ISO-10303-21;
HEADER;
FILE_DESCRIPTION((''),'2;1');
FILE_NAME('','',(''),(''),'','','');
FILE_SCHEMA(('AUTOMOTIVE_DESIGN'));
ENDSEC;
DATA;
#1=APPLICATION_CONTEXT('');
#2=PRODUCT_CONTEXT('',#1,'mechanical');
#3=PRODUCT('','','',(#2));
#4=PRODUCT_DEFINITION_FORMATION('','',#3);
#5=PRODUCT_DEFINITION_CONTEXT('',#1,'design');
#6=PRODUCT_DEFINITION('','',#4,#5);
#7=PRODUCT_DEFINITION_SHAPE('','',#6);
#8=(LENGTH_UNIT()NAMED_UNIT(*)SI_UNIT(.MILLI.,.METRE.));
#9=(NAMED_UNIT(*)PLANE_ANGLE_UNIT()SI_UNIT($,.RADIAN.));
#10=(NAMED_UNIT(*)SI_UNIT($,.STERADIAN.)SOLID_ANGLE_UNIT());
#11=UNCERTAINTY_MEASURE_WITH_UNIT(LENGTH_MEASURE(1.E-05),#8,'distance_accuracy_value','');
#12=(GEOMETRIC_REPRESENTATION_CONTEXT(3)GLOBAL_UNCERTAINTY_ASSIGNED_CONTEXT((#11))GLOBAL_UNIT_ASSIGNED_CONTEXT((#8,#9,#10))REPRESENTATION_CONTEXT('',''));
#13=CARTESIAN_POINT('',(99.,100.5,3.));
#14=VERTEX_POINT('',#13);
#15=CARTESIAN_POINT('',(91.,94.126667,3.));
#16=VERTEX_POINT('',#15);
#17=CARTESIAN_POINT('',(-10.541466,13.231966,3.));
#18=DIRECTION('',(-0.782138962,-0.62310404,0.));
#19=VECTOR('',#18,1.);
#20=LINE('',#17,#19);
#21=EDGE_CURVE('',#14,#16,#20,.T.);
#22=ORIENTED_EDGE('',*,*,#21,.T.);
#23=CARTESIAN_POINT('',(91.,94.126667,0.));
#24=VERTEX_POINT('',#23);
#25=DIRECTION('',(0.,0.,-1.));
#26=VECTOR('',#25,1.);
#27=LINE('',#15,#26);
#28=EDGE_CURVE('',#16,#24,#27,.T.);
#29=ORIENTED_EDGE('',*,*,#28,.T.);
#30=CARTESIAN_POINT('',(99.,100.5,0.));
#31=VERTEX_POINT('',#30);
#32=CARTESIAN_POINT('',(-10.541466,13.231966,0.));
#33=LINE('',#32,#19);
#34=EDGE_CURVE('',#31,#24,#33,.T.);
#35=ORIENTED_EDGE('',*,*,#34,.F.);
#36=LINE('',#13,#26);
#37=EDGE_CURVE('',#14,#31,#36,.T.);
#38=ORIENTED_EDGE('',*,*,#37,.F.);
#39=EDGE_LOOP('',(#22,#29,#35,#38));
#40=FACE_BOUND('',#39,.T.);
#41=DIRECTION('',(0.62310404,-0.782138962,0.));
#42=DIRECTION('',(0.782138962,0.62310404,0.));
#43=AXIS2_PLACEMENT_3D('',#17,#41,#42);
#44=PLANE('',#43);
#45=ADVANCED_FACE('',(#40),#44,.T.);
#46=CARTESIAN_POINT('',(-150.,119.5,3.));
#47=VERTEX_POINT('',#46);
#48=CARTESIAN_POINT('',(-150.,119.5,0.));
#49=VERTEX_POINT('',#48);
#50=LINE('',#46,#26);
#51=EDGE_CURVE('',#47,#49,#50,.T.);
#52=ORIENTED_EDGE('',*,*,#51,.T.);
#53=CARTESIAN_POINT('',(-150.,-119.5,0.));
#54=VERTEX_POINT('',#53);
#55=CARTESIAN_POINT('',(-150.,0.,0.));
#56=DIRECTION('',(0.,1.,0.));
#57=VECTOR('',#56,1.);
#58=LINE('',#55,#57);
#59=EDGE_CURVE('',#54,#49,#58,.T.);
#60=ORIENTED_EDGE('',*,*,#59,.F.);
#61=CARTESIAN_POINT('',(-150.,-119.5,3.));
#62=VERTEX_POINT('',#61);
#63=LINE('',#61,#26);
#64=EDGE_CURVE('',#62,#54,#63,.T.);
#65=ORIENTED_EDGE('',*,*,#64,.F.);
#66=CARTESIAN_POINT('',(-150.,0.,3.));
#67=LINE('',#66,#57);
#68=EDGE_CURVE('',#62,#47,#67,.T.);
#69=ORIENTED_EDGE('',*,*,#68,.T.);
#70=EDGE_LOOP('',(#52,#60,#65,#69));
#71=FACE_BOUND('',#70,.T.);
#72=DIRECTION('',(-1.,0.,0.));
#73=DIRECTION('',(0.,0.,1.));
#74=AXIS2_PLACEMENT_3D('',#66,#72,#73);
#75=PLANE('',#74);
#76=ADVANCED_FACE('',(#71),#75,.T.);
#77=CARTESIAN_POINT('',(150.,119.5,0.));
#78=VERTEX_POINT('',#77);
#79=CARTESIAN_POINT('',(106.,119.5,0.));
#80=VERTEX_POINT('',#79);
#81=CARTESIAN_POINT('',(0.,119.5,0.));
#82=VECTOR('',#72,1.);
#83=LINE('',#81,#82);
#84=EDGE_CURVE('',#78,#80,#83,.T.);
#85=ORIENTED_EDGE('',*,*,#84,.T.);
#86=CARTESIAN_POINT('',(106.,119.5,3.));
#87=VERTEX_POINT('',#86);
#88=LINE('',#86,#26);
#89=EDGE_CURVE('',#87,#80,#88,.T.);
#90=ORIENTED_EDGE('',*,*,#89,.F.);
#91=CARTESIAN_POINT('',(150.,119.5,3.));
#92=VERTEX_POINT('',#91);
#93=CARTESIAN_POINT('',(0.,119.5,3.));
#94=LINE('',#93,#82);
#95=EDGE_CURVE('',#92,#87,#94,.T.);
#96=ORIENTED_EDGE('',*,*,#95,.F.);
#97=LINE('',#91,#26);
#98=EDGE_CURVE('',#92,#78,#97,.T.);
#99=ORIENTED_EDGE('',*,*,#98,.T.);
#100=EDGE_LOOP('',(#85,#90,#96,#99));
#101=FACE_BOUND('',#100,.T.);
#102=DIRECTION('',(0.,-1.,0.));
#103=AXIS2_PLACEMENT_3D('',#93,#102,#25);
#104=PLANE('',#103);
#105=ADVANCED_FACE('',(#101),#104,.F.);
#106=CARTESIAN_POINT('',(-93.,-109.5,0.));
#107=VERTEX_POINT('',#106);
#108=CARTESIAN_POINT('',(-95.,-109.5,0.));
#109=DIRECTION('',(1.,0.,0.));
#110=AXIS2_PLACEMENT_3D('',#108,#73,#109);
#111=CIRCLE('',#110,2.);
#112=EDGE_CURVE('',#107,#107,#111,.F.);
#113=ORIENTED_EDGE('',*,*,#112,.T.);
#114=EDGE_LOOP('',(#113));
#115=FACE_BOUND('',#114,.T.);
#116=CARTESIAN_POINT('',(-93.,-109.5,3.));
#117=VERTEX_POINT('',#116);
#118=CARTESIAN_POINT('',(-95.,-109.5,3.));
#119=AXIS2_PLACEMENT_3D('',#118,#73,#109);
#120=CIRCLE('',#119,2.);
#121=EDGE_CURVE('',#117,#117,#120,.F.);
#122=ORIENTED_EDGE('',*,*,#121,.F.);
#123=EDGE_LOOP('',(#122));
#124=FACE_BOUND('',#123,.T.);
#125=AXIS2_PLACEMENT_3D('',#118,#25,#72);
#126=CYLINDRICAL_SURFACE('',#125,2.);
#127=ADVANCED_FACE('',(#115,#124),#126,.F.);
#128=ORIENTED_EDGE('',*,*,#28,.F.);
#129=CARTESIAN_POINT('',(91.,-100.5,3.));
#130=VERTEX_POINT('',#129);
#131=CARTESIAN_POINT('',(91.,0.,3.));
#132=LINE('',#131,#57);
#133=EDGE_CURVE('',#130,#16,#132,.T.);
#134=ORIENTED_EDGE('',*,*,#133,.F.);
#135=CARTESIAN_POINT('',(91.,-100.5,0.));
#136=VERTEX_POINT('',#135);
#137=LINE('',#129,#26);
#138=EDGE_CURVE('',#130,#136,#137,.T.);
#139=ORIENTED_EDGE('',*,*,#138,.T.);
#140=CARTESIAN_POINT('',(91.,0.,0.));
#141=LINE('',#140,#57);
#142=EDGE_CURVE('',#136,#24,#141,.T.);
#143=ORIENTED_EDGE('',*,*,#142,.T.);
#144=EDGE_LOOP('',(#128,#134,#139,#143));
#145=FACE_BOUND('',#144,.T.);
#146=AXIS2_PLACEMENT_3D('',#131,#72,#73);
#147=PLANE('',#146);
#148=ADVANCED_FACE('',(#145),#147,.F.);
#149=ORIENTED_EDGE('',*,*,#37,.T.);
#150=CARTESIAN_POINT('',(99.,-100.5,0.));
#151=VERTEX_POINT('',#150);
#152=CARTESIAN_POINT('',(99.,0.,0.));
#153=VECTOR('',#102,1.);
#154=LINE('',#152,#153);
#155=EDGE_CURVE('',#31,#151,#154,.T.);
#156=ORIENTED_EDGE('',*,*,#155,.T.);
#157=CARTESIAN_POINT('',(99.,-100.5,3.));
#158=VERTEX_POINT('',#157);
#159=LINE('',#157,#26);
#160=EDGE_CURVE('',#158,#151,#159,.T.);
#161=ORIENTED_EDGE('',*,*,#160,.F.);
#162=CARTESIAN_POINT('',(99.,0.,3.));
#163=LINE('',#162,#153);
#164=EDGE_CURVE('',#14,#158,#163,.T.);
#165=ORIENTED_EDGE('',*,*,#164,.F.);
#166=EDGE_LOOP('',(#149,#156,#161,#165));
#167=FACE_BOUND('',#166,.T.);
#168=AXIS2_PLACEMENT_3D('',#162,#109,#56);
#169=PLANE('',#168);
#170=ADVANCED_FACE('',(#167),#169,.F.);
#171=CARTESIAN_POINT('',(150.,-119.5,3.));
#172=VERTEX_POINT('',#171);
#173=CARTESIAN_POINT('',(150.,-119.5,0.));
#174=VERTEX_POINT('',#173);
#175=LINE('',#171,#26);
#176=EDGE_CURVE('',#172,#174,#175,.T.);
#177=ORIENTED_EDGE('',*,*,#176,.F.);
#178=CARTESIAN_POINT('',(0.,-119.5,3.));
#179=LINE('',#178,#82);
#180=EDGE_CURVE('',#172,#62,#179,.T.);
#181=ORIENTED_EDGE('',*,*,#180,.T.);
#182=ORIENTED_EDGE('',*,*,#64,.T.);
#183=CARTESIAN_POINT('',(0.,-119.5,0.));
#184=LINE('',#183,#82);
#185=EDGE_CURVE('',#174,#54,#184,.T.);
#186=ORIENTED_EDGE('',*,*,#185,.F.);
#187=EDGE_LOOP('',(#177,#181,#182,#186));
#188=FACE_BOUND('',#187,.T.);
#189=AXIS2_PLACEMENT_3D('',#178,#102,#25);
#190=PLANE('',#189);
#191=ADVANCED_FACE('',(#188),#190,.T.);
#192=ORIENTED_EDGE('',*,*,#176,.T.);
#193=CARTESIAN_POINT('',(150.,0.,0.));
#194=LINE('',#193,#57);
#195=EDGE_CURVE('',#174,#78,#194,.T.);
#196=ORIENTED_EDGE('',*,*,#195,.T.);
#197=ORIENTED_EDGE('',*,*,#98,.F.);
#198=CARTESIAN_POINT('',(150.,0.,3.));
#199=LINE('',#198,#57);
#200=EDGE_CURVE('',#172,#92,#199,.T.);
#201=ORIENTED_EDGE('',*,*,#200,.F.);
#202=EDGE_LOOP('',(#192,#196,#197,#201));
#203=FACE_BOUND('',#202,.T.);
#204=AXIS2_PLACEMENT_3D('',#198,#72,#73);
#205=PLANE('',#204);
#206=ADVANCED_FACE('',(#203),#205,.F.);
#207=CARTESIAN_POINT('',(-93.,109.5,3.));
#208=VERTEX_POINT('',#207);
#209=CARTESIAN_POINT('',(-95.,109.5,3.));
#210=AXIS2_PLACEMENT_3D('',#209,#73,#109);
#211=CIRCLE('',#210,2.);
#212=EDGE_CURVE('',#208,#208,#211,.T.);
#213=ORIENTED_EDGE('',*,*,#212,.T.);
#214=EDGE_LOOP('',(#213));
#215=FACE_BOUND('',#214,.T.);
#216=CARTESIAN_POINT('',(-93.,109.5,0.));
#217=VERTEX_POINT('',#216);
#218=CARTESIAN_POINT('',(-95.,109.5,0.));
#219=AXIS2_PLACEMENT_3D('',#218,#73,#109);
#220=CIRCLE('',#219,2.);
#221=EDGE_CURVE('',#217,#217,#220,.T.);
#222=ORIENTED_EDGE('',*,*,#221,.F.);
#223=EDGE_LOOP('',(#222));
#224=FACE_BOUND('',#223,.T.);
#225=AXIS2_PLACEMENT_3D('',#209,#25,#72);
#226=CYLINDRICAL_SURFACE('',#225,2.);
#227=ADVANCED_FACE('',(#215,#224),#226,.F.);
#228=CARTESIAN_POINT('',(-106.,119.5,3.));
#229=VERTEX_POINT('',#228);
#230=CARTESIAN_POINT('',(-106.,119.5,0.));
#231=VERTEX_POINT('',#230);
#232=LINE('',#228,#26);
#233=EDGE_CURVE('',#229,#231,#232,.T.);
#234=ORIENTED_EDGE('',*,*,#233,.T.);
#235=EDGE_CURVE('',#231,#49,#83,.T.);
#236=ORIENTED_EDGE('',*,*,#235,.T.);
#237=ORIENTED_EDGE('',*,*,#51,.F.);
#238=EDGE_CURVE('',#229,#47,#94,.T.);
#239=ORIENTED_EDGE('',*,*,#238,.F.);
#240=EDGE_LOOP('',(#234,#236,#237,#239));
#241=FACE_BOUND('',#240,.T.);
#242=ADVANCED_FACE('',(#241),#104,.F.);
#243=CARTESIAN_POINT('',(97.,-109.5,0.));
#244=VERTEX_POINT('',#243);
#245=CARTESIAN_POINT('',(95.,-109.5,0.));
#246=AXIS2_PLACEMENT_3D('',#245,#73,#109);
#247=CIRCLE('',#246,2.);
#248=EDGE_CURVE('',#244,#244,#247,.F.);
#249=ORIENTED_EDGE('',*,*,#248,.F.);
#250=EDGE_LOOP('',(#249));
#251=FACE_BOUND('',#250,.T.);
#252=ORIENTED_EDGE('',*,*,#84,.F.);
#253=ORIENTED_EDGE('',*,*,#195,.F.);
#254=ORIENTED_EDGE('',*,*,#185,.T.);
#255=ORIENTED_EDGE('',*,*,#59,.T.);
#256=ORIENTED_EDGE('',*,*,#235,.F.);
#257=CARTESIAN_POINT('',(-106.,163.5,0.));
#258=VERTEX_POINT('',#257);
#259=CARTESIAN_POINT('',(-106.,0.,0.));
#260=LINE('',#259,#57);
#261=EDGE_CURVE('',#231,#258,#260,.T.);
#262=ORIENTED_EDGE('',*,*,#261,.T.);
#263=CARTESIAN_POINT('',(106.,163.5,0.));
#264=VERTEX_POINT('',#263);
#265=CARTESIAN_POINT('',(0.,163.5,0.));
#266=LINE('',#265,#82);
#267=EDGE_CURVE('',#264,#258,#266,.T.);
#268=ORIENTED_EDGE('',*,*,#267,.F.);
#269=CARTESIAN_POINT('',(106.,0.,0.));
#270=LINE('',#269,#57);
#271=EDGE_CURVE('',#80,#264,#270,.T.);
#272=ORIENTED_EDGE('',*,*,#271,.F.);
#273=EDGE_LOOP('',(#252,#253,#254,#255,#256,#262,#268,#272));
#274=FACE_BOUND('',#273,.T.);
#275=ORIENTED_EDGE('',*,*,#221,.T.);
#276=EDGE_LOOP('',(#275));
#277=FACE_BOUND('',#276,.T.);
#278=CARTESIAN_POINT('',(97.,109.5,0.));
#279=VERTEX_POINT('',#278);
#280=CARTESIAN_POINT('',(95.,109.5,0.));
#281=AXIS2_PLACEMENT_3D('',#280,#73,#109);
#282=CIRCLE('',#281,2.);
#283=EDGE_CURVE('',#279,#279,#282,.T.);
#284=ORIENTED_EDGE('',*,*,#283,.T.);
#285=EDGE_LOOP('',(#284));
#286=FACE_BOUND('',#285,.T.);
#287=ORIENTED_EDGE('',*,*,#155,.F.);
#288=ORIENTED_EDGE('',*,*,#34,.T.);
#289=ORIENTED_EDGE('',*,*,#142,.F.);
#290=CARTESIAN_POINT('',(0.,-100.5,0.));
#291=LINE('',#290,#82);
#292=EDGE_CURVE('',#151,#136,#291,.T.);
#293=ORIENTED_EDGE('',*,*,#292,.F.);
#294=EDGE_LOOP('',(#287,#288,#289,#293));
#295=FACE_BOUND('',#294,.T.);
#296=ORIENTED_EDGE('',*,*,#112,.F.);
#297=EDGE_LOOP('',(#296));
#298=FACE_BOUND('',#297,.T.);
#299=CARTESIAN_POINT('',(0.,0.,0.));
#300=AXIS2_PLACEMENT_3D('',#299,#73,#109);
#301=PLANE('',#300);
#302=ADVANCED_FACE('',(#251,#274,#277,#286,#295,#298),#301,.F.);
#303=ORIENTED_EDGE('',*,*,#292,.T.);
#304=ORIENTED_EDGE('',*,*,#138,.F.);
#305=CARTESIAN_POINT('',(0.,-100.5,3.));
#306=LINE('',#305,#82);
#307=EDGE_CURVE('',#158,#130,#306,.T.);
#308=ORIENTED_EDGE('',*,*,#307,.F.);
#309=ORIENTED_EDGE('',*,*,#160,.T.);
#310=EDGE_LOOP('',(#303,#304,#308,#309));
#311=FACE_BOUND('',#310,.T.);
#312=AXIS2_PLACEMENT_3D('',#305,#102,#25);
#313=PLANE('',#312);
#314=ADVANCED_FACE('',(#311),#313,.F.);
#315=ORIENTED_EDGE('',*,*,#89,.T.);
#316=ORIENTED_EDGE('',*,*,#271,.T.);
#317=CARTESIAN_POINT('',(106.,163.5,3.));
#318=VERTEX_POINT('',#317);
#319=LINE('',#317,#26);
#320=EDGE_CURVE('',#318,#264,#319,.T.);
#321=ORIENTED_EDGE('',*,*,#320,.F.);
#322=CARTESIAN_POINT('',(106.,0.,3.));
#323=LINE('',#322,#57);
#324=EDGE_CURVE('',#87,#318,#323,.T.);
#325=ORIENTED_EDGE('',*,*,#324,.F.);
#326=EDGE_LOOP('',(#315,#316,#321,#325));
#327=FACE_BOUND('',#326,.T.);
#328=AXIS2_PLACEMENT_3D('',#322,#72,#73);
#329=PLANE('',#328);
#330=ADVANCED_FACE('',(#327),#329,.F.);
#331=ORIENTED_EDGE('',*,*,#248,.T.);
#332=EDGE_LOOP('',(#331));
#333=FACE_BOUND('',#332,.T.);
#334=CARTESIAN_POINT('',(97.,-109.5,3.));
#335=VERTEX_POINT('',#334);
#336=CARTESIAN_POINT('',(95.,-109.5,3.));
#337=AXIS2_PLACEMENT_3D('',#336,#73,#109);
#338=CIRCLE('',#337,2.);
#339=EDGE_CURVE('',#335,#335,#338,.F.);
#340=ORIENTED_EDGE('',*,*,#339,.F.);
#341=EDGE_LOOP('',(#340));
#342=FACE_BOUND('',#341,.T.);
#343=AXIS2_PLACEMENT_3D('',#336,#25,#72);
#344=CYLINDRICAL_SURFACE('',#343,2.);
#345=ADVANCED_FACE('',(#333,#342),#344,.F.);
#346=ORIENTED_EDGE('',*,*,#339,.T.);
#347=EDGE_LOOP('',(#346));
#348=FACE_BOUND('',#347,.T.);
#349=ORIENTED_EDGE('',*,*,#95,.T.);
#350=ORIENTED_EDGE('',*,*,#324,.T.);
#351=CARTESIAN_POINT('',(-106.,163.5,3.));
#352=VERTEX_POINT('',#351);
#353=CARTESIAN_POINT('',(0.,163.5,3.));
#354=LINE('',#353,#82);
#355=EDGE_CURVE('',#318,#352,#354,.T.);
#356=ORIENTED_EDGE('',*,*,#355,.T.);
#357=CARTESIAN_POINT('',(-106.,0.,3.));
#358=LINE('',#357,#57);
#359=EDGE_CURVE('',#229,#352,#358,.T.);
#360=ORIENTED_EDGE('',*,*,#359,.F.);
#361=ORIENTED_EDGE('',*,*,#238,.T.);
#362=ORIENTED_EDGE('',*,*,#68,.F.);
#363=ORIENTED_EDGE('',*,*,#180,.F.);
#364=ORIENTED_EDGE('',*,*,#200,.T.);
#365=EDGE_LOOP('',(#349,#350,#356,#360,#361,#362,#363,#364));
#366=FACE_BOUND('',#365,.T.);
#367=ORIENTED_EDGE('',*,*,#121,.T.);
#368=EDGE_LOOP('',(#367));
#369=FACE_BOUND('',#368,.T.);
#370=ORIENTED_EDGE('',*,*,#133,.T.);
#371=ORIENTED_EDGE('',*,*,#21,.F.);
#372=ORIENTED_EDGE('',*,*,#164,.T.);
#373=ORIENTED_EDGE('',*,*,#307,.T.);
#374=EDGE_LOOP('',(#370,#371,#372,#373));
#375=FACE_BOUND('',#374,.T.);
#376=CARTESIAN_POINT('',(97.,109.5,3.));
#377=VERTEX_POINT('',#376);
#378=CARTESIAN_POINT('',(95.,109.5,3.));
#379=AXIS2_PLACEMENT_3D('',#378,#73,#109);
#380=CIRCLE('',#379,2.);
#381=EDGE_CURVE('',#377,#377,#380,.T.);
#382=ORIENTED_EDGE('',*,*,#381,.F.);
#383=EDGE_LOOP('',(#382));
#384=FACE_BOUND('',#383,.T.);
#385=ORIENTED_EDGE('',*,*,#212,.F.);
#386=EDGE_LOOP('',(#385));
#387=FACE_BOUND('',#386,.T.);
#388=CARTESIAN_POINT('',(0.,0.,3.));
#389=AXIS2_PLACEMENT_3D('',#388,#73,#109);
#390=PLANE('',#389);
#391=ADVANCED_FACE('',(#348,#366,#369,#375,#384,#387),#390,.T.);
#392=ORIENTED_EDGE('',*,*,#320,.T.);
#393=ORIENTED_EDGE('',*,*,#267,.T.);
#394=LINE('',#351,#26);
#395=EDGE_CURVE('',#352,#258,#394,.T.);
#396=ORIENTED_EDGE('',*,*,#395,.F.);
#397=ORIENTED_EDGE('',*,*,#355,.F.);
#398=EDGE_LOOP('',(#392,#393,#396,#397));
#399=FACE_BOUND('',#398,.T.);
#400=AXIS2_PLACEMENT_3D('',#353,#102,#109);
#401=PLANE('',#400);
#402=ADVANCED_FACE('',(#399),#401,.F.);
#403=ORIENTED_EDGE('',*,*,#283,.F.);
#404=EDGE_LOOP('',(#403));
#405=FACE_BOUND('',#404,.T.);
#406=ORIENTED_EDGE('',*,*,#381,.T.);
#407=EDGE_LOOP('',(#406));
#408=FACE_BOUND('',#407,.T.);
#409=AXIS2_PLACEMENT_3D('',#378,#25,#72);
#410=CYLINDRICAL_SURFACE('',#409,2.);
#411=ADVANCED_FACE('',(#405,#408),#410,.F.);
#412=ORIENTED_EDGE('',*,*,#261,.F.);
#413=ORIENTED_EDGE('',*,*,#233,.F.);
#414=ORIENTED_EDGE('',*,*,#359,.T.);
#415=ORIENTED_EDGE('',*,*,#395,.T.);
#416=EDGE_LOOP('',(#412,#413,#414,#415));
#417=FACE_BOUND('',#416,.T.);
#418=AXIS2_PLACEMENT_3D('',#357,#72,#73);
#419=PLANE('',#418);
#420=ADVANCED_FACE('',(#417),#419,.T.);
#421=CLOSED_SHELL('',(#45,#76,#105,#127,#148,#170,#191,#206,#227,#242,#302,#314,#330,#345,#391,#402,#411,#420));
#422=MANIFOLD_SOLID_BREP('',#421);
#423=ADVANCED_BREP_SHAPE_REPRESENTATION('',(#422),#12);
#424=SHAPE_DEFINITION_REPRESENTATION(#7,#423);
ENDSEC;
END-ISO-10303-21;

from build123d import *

# Parameters (mm, degrees)
SKETCH1_R           = 2
BOSS_EXTRUDE1_DEPTH = 3


with BuildPart() as part:
    # Sketch1 → Boss-Extrude1 (new body)
    with BuildSketch(Plane.XY):
        Polygon((-150, -119.5), (150, -119.5), (150, 119.5), (106, 119.5), (106, 163.5), (-106, 163.5), (-106, 119.5), (-150, 119.5), align=None)
        with Locations((-95, -109.5)):
            Circle(SKETCH1_R, mode=Mode.SUBTRACT)
        with Locations((95, -109.5)):
            Circle(SKETCH1_R, mode=Mode.SUBTRACT)
        Polygon((91, 94.126666667), (99, 100.5), (99, -100.5), (91, -100.5), align=None, mode=Mode.SUBTRACT)
        with Locations((-95, 109.5)):
            Circle(SKETCH1_R, mode=Mode.SUBTRACT)
        with Locations((95, 109.5)):
            Circle(SKETCH1_R, mode=Mode.SUBTRACT)
    extrude(amount=BOSS_EXTRUDE1_DEPTH)


solid = part.part
